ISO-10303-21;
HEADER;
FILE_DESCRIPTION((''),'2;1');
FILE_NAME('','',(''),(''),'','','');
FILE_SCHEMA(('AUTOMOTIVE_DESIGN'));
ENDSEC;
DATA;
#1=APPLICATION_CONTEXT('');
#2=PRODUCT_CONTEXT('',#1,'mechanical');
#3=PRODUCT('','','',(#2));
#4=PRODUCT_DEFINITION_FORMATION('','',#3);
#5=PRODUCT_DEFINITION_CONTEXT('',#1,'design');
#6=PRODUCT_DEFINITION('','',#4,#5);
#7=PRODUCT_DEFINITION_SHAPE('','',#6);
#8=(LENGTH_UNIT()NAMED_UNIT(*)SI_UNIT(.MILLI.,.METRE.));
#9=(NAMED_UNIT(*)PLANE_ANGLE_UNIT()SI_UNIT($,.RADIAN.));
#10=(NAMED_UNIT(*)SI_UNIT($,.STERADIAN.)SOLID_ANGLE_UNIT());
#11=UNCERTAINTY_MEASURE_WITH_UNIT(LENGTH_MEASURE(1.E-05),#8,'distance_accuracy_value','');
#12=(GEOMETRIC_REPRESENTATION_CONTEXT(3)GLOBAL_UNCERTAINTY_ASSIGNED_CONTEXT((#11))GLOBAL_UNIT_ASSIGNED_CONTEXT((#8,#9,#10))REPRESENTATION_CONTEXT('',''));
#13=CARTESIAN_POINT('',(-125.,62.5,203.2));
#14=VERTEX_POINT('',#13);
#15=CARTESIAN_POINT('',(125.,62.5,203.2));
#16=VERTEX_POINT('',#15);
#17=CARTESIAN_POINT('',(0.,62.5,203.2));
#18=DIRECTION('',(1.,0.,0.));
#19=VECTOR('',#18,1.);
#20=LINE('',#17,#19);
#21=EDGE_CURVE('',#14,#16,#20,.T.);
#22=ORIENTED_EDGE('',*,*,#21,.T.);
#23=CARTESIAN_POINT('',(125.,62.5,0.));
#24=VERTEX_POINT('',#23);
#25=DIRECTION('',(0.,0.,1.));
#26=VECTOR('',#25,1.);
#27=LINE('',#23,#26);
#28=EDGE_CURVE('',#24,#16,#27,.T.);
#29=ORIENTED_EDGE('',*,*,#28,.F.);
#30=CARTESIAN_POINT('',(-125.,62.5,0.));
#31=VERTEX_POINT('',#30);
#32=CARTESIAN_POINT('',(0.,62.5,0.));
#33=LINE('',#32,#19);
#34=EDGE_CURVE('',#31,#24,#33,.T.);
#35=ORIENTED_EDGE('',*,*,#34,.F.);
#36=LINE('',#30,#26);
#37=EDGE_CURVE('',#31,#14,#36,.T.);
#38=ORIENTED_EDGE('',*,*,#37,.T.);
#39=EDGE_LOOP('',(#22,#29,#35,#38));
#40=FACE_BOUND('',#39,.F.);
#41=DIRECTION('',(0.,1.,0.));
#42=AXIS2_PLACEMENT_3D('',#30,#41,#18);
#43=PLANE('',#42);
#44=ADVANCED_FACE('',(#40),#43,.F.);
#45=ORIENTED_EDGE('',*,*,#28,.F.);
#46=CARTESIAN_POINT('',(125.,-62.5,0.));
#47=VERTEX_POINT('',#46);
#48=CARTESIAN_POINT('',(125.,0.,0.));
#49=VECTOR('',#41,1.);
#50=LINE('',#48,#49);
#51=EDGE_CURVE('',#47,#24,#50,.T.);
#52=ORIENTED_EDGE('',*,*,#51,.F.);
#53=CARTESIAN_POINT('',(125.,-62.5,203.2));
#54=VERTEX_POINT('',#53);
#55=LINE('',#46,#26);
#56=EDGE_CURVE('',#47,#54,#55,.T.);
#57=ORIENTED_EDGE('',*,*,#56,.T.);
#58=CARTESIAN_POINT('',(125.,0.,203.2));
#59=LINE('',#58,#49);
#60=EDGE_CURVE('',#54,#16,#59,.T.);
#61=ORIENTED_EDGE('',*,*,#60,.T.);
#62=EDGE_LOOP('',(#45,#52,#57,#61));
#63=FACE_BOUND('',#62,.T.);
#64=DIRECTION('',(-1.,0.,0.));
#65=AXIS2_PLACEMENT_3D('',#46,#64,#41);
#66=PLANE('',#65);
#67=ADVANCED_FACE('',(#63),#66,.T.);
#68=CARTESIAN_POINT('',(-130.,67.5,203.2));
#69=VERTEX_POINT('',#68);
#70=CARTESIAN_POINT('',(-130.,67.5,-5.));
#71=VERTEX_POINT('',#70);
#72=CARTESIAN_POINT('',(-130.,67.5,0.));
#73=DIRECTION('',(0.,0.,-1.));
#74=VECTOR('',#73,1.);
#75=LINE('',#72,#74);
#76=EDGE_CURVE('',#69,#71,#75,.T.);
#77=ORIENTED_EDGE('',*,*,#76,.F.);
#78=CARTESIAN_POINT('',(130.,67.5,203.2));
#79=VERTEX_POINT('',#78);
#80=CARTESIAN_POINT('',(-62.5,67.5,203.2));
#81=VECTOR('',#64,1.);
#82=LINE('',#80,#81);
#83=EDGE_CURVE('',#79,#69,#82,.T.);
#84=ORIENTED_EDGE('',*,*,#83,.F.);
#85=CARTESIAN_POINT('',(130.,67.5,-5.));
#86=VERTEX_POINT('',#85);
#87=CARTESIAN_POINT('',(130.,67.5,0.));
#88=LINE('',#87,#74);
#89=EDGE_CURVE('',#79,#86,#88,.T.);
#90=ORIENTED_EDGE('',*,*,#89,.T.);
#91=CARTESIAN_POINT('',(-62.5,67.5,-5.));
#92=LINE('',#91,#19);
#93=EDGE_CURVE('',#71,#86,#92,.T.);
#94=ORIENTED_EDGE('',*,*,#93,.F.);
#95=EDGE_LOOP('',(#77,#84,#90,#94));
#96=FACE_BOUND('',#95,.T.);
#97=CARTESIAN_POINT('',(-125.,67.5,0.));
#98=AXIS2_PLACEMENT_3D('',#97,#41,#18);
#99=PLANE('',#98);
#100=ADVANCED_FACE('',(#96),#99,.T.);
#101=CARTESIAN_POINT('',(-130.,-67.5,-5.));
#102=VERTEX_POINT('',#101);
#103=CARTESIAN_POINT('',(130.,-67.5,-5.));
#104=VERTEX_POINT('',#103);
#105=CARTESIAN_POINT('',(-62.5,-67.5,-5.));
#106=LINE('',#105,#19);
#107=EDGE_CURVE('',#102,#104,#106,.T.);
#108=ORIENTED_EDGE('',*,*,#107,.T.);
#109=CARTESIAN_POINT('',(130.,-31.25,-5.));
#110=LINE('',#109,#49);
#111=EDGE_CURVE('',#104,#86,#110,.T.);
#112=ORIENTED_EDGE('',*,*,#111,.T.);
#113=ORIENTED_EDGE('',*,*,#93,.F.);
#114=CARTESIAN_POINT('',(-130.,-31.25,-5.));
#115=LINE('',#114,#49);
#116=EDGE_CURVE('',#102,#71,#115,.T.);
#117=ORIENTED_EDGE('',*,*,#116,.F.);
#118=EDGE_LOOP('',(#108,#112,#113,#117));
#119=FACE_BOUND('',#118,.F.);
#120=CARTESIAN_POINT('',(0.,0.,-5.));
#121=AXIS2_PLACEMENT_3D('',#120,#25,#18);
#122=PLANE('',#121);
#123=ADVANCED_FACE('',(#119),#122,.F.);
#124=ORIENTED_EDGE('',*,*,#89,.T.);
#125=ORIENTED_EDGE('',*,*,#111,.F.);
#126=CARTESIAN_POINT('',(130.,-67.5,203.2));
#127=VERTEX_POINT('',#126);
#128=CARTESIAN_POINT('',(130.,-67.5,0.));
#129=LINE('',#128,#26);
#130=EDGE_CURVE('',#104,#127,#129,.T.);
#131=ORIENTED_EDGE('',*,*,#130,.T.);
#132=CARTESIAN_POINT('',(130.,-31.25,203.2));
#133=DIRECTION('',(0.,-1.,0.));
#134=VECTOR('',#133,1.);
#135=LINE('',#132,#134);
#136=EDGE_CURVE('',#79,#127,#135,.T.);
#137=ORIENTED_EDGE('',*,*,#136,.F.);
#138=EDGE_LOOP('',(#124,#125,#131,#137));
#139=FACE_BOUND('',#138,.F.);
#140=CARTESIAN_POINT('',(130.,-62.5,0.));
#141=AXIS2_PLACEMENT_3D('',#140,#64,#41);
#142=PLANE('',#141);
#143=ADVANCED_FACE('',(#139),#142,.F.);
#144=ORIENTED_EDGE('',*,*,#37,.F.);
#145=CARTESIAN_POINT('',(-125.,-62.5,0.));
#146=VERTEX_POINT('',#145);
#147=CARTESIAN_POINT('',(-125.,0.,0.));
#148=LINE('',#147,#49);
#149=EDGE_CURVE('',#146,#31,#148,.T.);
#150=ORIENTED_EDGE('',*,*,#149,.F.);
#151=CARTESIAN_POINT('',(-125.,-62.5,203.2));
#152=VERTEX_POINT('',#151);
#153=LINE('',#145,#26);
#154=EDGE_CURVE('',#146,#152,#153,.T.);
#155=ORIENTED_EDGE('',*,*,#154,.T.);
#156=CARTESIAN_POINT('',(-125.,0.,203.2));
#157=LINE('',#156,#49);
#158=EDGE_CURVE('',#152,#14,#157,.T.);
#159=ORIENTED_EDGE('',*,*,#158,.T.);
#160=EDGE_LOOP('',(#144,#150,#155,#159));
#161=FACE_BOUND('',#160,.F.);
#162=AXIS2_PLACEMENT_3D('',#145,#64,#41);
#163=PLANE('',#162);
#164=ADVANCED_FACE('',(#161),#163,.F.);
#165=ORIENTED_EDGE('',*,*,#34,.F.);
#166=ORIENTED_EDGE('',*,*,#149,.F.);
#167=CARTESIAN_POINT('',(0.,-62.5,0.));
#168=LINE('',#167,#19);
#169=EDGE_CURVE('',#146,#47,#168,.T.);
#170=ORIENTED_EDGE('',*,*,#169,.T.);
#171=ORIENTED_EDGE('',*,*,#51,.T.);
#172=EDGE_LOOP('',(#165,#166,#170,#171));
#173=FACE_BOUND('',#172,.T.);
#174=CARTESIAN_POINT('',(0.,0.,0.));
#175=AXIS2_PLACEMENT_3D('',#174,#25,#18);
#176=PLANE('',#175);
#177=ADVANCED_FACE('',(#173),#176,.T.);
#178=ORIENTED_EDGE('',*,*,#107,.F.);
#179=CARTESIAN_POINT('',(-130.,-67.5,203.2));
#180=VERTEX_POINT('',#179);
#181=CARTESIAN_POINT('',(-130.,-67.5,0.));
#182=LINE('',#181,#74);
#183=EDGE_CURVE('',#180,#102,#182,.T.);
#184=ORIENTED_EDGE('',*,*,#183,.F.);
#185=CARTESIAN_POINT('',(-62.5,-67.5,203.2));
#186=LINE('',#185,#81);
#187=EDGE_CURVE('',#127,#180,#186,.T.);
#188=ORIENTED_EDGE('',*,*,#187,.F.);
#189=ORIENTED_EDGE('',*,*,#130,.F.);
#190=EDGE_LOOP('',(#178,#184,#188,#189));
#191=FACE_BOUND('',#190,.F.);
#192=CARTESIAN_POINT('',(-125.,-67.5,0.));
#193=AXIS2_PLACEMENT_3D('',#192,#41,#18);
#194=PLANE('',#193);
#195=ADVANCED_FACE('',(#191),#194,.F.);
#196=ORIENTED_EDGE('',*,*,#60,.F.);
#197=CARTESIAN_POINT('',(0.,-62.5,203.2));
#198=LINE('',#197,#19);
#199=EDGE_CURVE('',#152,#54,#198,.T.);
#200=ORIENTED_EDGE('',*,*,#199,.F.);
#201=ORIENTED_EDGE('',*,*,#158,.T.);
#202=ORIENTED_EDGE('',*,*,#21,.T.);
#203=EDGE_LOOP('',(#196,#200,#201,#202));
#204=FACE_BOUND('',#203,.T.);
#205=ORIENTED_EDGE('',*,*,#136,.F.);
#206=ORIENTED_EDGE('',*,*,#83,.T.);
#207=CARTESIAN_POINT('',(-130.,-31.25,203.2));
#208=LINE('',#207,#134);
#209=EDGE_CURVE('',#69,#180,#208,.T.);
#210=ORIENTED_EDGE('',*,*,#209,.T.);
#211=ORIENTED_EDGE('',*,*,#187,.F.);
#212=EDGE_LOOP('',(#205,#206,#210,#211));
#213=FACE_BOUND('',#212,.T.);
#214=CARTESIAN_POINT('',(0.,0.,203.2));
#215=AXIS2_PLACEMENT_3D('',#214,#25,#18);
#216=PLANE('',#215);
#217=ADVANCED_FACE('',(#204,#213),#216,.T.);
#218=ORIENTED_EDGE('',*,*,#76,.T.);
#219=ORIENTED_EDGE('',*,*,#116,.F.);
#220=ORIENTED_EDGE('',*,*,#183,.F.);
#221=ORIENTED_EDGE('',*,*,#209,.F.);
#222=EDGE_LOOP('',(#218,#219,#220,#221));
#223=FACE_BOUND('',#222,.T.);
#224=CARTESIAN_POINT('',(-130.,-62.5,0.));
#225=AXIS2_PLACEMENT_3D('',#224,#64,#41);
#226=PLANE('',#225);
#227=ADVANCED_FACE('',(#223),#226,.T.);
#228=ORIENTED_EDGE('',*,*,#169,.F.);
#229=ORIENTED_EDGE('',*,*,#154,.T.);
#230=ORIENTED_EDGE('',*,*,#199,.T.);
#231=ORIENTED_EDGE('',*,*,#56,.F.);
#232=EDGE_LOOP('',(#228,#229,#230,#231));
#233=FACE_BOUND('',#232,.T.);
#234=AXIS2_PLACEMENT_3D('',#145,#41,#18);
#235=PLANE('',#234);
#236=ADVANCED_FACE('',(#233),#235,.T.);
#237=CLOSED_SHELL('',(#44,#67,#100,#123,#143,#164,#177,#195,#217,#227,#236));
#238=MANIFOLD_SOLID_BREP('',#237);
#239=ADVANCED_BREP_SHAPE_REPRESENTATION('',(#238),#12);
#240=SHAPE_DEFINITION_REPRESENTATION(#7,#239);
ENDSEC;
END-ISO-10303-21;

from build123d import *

# Parameters (mm, degrees)
F0_W     = 250
F0_H     = 125
F1_DEPTH = 203.2
F2_T     = 5


with BuildPart() as f1:
    # F0 (on Top) → F1 (new body)
    with BuildSketch(Plane.XY):
        Rectangle(F0_W, F0_H)
    extrude(amount=F1_DEPTH)

    # F2
    f2_openings = [f1.faces().sort_by_distance(p)[0] for p in [
        (0, 0, 203.2),
    ]]
    offset(amount=F2_T, openings=f2_openings, kind=Kind.INTERSECTION)


solid = f1.part
